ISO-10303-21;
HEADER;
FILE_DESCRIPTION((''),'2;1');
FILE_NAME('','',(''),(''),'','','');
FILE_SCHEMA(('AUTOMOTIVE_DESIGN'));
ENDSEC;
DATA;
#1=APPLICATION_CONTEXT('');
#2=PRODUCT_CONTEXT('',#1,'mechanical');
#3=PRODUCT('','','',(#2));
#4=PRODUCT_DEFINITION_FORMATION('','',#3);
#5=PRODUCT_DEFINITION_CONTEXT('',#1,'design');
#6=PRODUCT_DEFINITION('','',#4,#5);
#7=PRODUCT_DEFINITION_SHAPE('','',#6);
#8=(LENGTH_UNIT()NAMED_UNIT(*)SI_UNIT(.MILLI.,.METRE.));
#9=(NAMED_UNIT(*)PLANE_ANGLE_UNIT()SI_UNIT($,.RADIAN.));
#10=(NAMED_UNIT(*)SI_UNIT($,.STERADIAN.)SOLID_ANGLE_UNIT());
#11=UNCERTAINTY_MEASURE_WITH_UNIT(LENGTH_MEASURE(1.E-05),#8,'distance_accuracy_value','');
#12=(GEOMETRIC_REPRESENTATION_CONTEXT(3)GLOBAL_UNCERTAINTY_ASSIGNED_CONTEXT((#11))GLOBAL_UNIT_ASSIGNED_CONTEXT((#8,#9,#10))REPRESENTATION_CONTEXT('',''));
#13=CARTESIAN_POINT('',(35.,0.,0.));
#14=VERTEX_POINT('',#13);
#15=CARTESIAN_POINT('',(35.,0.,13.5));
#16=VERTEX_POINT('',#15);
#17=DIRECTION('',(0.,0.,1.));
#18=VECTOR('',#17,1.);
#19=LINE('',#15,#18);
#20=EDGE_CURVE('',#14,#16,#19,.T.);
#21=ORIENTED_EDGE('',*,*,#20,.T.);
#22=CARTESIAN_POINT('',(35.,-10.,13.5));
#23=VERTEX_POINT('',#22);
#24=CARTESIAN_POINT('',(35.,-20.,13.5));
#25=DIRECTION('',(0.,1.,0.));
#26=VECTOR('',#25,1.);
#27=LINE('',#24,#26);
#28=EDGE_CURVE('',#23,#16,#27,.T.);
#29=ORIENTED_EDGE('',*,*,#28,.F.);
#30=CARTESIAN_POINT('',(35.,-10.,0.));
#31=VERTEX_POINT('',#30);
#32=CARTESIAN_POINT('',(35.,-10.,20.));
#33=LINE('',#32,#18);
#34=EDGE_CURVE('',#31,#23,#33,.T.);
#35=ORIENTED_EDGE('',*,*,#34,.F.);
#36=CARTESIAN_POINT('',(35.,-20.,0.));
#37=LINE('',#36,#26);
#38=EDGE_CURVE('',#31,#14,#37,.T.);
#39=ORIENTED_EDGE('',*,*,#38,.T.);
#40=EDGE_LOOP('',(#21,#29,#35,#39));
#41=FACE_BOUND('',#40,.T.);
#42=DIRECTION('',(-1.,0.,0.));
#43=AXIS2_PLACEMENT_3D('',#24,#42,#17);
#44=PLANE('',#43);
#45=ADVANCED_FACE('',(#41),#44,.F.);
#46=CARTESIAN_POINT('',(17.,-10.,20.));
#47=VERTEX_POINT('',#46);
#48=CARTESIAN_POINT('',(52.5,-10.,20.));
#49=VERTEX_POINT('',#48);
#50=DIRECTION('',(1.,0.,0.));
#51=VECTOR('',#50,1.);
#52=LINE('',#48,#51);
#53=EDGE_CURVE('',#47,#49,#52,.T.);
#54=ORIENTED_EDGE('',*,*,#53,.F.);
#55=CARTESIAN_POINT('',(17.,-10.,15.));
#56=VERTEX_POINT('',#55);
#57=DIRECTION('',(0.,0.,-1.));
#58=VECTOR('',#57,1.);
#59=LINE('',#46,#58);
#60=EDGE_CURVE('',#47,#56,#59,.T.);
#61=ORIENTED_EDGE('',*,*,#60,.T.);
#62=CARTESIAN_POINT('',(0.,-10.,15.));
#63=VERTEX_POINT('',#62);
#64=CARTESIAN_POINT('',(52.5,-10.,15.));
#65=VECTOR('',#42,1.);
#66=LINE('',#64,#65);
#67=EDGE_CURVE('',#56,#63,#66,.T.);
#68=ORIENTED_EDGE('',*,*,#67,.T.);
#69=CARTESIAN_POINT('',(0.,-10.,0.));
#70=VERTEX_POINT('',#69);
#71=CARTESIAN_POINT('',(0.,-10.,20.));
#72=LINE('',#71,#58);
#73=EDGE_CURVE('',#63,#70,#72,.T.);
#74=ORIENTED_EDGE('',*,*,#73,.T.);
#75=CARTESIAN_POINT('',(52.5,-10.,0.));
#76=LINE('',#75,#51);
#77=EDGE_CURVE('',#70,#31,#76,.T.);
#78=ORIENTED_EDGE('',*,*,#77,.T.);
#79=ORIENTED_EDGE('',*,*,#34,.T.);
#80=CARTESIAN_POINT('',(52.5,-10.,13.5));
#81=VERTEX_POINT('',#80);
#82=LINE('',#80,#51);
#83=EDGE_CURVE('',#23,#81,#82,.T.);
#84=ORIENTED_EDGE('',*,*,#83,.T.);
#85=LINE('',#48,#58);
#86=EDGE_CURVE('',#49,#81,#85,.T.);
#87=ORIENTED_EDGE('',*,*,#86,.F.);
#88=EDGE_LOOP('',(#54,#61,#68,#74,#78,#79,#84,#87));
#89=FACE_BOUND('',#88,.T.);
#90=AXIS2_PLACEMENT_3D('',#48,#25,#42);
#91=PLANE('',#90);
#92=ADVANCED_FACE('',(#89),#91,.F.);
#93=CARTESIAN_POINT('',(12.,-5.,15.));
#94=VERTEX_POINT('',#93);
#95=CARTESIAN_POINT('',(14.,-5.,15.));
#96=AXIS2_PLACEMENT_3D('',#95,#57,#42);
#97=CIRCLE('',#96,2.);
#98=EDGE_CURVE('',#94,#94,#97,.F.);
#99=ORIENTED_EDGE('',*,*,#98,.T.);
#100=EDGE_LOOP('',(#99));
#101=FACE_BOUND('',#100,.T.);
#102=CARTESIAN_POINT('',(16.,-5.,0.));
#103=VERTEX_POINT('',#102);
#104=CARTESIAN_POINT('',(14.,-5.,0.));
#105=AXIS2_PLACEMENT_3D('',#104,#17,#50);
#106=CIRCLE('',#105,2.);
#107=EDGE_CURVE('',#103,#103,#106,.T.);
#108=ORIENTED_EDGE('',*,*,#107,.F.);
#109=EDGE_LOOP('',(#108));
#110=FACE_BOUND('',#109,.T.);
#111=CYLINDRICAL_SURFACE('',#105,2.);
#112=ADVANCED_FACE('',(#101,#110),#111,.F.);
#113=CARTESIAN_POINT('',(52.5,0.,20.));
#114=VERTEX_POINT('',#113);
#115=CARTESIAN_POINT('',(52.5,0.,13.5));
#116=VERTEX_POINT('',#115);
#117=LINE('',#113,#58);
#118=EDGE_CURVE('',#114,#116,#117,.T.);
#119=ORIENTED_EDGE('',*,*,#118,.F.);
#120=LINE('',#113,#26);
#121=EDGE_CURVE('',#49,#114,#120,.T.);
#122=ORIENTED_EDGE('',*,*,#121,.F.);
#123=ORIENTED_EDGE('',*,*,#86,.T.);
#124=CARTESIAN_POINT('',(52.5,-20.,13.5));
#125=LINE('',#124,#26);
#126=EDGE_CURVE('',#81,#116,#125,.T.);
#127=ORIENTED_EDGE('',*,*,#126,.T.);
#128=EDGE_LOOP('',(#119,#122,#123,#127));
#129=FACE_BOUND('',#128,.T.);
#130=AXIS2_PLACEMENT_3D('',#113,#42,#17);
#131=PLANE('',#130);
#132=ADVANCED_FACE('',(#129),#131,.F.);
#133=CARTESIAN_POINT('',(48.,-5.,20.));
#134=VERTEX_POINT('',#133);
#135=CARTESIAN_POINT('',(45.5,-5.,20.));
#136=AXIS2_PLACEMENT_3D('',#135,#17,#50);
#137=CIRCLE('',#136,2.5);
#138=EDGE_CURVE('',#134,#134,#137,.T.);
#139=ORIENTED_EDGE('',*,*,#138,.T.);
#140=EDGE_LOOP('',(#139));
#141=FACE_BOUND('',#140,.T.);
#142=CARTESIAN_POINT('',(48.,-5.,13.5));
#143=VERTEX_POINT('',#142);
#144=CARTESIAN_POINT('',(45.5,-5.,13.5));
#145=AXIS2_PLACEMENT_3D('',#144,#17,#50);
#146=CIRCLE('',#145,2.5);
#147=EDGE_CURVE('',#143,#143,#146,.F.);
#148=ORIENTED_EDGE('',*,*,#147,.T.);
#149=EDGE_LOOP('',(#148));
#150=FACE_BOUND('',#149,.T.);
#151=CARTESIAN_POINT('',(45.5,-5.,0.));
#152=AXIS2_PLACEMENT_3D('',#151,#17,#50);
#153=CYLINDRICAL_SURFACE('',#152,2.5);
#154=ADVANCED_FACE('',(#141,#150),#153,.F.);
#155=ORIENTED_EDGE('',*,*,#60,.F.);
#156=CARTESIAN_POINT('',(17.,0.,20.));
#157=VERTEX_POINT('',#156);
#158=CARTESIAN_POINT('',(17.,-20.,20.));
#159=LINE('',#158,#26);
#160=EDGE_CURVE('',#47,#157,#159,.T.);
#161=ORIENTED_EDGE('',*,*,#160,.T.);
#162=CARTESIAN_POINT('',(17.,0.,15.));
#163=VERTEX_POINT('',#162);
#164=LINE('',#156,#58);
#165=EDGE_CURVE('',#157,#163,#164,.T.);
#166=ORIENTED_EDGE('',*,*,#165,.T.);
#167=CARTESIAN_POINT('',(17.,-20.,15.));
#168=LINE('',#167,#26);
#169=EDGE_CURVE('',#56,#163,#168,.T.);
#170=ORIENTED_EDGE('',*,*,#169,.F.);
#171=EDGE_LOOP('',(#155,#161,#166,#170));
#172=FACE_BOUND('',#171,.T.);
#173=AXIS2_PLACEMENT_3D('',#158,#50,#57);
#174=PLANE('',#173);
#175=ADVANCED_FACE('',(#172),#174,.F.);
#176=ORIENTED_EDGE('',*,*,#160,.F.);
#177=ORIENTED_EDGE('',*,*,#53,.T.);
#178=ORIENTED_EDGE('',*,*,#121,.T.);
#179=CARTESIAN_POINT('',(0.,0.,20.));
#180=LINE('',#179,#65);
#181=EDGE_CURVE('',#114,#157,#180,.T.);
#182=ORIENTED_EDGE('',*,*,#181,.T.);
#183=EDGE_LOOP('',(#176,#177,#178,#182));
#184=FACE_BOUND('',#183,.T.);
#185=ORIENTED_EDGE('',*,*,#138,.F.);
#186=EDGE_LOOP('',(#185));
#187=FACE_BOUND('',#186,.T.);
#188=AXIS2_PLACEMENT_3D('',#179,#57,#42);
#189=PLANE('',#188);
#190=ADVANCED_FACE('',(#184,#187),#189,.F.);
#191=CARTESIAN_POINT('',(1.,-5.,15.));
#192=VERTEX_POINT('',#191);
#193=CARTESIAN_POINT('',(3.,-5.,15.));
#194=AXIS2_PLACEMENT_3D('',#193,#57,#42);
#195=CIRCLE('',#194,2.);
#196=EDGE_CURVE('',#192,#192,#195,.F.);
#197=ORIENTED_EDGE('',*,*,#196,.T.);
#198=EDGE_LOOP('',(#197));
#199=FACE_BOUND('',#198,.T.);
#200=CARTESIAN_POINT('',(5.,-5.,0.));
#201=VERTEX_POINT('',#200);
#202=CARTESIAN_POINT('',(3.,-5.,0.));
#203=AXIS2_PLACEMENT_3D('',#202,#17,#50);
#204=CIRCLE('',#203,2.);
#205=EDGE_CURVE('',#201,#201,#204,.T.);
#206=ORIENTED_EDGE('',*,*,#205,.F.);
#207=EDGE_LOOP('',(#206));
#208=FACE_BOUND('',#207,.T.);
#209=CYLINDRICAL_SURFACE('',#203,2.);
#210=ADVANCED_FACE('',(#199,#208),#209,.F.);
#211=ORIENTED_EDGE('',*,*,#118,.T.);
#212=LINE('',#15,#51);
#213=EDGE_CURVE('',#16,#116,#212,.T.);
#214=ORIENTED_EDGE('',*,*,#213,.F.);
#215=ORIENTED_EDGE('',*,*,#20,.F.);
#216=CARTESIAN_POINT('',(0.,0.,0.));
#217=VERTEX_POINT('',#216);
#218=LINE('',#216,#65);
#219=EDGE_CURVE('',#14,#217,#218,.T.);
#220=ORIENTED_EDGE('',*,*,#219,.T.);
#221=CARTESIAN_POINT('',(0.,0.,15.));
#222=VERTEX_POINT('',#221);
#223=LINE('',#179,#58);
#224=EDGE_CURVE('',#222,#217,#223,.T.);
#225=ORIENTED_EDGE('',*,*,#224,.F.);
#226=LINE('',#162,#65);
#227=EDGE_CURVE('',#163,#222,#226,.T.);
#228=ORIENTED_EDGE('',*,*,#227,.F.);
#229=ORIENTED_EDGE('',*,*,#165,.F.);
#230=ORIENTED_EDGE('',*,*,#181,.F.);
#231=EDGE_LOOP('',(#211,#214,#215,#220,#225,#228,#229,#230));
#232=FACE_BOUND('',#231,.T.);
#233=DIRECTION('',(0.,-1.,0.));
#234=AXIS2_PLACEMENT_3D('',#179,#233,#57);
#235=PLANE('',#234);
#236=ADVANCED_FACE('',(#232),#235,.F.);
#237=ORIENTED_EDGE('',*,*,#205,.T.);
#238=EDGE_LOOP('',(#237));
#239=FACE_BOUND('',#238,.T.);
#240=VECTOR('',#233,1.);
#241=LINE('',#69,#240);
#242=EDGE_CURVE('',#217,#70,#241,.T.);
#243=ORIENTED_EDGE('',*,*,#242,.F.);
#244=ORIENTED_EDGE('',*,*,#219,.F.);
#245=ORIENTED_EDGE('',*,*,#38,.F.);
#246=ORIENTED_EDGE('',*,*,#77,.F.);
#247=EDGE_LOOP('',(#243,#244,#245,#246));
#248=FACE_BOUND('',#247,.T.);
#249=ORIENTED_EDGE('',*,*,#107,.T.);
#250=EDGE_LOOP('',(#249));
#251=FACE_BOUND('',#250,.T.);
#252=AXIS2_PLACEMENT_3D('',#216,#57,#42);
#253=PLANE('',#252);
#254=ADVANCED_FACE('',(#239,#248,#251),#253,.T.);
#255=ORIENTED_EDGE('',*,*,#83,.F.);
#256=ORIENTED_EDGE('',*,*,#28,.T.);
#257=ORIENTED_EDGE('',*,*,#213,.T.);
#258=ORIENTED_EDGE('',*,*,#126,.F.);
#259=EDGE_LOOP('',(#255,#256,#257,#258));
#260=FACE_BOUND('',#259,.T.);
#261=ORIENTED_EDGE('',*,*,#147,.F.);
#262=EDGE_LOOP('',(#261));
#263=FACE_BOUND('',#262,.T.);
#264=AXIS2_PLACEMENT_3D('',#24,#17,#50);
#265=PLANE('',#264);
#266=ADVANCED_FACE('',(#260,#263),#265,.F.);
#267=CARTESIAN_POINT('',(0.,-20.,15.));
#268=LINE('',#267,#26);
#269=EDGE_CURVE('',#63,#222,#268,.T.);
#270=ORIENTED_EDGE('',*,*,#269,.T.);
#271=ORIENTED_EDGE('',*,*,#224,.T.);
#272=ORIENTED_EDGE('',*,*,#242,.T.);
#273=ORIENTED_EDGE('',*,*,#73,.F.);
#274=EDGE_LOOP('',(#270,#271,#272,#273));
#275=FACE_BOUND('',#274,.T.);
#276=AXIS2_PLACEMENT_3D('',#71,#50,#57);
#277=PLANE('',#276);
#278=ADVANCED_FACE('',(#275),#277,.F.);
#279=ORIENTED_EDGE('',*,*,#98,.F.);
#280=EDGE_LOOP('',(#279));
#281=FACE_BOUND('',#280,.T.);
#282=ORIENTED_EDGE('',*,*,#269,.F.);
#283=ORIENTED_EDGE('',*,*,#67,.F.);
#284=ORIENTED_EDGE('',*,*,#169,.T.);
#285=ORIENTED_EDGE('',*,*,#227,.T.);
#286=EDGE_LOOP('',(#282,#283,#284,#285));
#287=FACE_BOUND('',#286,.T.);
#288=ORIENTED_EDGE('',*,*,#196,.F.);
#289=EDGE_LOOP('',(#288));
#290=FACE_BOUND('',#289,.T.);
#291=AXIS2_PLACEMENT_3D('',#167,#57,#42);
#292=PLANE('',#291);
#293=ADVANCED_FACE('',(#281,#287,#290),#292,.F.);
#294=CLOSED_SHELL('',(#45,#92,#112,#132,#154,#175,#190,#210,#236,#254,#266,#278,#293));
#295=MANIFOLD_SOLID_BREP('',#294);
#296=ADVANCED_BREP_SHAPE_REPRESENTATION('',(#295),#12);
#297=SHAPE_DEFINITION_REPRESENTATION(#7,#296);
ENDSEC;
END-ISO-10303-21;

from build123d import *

# Parameters (mm, degrees)
ESQUISSE1_W      = 52.5
ESQUISSE1_H      = 10
EXTRUSION1_DEPTH = 20
ESQUISSE3_R      = 2
EXTRUSION3_DEPTH = 21
ESQUISSE4_R      = 2.5
EXTRUSION4_DEPTH = 20
ESQUISSE2_W      = 17
ESQUISSE2_H      = 5
ESQUISSE2_W_2    = 17.5
ESQUISSE2_H_2    = 13.5
EXTRUSION5_DEPTH = 20


with BuildPart() as part:
    # Esquisse1 → Extrusion1 (new body)
    with BuildSketch(Plane.XY):
        with Locations((26.25, -5)):
            Rectangle(ESQUISSE1_W, ESQUISSE1_H)
    extrude(amount=EXTRUSION1_DEPTH)

    # Esquisse3 → Extrusion3 (cut, through all)
    with BuildSketch(Plane.XY.offset(20)):
        with Locations((3, -5)):
            Circle(ESQUISSE3_R)
        with Locations((14, -5)):
            Circle(ESQUISSE3_R)
    extrude(amount=-EXTRUSION3_DEPTH, mode=Mode.SUBTRACT)

    # Esquisse4 → Extrusion4 (cut)
    with BuildSketch(Plane.XY.offset(20)):
        with Locations((45.5, -5)):
            Circle(ESQUISSE4_R)
    extrude(amount=-EXTRUSION4_DEPTH, mode=Mode.SUBTRACT)

    # Esquisse2 → Extrusion5 (cut)
    with BuildSketch(Plane(origin=(0, 0, 0), x_dir=(1, 0, 0), z_dir=(0, 1, 0))):
        with Locations((8.5, -17.5)):
            Rectangle(ESQUISSE2_W, ESQUISSE2_H)
        with Locations((43.75, -6.75)):
            Rectangle(ESQUISSE2_W_2, ESQUISSE2_H_2)
    extrude(amount=-EXTRUSION5_DEPTH, mode=Mode.SUBTRACT)


solid = part.part
